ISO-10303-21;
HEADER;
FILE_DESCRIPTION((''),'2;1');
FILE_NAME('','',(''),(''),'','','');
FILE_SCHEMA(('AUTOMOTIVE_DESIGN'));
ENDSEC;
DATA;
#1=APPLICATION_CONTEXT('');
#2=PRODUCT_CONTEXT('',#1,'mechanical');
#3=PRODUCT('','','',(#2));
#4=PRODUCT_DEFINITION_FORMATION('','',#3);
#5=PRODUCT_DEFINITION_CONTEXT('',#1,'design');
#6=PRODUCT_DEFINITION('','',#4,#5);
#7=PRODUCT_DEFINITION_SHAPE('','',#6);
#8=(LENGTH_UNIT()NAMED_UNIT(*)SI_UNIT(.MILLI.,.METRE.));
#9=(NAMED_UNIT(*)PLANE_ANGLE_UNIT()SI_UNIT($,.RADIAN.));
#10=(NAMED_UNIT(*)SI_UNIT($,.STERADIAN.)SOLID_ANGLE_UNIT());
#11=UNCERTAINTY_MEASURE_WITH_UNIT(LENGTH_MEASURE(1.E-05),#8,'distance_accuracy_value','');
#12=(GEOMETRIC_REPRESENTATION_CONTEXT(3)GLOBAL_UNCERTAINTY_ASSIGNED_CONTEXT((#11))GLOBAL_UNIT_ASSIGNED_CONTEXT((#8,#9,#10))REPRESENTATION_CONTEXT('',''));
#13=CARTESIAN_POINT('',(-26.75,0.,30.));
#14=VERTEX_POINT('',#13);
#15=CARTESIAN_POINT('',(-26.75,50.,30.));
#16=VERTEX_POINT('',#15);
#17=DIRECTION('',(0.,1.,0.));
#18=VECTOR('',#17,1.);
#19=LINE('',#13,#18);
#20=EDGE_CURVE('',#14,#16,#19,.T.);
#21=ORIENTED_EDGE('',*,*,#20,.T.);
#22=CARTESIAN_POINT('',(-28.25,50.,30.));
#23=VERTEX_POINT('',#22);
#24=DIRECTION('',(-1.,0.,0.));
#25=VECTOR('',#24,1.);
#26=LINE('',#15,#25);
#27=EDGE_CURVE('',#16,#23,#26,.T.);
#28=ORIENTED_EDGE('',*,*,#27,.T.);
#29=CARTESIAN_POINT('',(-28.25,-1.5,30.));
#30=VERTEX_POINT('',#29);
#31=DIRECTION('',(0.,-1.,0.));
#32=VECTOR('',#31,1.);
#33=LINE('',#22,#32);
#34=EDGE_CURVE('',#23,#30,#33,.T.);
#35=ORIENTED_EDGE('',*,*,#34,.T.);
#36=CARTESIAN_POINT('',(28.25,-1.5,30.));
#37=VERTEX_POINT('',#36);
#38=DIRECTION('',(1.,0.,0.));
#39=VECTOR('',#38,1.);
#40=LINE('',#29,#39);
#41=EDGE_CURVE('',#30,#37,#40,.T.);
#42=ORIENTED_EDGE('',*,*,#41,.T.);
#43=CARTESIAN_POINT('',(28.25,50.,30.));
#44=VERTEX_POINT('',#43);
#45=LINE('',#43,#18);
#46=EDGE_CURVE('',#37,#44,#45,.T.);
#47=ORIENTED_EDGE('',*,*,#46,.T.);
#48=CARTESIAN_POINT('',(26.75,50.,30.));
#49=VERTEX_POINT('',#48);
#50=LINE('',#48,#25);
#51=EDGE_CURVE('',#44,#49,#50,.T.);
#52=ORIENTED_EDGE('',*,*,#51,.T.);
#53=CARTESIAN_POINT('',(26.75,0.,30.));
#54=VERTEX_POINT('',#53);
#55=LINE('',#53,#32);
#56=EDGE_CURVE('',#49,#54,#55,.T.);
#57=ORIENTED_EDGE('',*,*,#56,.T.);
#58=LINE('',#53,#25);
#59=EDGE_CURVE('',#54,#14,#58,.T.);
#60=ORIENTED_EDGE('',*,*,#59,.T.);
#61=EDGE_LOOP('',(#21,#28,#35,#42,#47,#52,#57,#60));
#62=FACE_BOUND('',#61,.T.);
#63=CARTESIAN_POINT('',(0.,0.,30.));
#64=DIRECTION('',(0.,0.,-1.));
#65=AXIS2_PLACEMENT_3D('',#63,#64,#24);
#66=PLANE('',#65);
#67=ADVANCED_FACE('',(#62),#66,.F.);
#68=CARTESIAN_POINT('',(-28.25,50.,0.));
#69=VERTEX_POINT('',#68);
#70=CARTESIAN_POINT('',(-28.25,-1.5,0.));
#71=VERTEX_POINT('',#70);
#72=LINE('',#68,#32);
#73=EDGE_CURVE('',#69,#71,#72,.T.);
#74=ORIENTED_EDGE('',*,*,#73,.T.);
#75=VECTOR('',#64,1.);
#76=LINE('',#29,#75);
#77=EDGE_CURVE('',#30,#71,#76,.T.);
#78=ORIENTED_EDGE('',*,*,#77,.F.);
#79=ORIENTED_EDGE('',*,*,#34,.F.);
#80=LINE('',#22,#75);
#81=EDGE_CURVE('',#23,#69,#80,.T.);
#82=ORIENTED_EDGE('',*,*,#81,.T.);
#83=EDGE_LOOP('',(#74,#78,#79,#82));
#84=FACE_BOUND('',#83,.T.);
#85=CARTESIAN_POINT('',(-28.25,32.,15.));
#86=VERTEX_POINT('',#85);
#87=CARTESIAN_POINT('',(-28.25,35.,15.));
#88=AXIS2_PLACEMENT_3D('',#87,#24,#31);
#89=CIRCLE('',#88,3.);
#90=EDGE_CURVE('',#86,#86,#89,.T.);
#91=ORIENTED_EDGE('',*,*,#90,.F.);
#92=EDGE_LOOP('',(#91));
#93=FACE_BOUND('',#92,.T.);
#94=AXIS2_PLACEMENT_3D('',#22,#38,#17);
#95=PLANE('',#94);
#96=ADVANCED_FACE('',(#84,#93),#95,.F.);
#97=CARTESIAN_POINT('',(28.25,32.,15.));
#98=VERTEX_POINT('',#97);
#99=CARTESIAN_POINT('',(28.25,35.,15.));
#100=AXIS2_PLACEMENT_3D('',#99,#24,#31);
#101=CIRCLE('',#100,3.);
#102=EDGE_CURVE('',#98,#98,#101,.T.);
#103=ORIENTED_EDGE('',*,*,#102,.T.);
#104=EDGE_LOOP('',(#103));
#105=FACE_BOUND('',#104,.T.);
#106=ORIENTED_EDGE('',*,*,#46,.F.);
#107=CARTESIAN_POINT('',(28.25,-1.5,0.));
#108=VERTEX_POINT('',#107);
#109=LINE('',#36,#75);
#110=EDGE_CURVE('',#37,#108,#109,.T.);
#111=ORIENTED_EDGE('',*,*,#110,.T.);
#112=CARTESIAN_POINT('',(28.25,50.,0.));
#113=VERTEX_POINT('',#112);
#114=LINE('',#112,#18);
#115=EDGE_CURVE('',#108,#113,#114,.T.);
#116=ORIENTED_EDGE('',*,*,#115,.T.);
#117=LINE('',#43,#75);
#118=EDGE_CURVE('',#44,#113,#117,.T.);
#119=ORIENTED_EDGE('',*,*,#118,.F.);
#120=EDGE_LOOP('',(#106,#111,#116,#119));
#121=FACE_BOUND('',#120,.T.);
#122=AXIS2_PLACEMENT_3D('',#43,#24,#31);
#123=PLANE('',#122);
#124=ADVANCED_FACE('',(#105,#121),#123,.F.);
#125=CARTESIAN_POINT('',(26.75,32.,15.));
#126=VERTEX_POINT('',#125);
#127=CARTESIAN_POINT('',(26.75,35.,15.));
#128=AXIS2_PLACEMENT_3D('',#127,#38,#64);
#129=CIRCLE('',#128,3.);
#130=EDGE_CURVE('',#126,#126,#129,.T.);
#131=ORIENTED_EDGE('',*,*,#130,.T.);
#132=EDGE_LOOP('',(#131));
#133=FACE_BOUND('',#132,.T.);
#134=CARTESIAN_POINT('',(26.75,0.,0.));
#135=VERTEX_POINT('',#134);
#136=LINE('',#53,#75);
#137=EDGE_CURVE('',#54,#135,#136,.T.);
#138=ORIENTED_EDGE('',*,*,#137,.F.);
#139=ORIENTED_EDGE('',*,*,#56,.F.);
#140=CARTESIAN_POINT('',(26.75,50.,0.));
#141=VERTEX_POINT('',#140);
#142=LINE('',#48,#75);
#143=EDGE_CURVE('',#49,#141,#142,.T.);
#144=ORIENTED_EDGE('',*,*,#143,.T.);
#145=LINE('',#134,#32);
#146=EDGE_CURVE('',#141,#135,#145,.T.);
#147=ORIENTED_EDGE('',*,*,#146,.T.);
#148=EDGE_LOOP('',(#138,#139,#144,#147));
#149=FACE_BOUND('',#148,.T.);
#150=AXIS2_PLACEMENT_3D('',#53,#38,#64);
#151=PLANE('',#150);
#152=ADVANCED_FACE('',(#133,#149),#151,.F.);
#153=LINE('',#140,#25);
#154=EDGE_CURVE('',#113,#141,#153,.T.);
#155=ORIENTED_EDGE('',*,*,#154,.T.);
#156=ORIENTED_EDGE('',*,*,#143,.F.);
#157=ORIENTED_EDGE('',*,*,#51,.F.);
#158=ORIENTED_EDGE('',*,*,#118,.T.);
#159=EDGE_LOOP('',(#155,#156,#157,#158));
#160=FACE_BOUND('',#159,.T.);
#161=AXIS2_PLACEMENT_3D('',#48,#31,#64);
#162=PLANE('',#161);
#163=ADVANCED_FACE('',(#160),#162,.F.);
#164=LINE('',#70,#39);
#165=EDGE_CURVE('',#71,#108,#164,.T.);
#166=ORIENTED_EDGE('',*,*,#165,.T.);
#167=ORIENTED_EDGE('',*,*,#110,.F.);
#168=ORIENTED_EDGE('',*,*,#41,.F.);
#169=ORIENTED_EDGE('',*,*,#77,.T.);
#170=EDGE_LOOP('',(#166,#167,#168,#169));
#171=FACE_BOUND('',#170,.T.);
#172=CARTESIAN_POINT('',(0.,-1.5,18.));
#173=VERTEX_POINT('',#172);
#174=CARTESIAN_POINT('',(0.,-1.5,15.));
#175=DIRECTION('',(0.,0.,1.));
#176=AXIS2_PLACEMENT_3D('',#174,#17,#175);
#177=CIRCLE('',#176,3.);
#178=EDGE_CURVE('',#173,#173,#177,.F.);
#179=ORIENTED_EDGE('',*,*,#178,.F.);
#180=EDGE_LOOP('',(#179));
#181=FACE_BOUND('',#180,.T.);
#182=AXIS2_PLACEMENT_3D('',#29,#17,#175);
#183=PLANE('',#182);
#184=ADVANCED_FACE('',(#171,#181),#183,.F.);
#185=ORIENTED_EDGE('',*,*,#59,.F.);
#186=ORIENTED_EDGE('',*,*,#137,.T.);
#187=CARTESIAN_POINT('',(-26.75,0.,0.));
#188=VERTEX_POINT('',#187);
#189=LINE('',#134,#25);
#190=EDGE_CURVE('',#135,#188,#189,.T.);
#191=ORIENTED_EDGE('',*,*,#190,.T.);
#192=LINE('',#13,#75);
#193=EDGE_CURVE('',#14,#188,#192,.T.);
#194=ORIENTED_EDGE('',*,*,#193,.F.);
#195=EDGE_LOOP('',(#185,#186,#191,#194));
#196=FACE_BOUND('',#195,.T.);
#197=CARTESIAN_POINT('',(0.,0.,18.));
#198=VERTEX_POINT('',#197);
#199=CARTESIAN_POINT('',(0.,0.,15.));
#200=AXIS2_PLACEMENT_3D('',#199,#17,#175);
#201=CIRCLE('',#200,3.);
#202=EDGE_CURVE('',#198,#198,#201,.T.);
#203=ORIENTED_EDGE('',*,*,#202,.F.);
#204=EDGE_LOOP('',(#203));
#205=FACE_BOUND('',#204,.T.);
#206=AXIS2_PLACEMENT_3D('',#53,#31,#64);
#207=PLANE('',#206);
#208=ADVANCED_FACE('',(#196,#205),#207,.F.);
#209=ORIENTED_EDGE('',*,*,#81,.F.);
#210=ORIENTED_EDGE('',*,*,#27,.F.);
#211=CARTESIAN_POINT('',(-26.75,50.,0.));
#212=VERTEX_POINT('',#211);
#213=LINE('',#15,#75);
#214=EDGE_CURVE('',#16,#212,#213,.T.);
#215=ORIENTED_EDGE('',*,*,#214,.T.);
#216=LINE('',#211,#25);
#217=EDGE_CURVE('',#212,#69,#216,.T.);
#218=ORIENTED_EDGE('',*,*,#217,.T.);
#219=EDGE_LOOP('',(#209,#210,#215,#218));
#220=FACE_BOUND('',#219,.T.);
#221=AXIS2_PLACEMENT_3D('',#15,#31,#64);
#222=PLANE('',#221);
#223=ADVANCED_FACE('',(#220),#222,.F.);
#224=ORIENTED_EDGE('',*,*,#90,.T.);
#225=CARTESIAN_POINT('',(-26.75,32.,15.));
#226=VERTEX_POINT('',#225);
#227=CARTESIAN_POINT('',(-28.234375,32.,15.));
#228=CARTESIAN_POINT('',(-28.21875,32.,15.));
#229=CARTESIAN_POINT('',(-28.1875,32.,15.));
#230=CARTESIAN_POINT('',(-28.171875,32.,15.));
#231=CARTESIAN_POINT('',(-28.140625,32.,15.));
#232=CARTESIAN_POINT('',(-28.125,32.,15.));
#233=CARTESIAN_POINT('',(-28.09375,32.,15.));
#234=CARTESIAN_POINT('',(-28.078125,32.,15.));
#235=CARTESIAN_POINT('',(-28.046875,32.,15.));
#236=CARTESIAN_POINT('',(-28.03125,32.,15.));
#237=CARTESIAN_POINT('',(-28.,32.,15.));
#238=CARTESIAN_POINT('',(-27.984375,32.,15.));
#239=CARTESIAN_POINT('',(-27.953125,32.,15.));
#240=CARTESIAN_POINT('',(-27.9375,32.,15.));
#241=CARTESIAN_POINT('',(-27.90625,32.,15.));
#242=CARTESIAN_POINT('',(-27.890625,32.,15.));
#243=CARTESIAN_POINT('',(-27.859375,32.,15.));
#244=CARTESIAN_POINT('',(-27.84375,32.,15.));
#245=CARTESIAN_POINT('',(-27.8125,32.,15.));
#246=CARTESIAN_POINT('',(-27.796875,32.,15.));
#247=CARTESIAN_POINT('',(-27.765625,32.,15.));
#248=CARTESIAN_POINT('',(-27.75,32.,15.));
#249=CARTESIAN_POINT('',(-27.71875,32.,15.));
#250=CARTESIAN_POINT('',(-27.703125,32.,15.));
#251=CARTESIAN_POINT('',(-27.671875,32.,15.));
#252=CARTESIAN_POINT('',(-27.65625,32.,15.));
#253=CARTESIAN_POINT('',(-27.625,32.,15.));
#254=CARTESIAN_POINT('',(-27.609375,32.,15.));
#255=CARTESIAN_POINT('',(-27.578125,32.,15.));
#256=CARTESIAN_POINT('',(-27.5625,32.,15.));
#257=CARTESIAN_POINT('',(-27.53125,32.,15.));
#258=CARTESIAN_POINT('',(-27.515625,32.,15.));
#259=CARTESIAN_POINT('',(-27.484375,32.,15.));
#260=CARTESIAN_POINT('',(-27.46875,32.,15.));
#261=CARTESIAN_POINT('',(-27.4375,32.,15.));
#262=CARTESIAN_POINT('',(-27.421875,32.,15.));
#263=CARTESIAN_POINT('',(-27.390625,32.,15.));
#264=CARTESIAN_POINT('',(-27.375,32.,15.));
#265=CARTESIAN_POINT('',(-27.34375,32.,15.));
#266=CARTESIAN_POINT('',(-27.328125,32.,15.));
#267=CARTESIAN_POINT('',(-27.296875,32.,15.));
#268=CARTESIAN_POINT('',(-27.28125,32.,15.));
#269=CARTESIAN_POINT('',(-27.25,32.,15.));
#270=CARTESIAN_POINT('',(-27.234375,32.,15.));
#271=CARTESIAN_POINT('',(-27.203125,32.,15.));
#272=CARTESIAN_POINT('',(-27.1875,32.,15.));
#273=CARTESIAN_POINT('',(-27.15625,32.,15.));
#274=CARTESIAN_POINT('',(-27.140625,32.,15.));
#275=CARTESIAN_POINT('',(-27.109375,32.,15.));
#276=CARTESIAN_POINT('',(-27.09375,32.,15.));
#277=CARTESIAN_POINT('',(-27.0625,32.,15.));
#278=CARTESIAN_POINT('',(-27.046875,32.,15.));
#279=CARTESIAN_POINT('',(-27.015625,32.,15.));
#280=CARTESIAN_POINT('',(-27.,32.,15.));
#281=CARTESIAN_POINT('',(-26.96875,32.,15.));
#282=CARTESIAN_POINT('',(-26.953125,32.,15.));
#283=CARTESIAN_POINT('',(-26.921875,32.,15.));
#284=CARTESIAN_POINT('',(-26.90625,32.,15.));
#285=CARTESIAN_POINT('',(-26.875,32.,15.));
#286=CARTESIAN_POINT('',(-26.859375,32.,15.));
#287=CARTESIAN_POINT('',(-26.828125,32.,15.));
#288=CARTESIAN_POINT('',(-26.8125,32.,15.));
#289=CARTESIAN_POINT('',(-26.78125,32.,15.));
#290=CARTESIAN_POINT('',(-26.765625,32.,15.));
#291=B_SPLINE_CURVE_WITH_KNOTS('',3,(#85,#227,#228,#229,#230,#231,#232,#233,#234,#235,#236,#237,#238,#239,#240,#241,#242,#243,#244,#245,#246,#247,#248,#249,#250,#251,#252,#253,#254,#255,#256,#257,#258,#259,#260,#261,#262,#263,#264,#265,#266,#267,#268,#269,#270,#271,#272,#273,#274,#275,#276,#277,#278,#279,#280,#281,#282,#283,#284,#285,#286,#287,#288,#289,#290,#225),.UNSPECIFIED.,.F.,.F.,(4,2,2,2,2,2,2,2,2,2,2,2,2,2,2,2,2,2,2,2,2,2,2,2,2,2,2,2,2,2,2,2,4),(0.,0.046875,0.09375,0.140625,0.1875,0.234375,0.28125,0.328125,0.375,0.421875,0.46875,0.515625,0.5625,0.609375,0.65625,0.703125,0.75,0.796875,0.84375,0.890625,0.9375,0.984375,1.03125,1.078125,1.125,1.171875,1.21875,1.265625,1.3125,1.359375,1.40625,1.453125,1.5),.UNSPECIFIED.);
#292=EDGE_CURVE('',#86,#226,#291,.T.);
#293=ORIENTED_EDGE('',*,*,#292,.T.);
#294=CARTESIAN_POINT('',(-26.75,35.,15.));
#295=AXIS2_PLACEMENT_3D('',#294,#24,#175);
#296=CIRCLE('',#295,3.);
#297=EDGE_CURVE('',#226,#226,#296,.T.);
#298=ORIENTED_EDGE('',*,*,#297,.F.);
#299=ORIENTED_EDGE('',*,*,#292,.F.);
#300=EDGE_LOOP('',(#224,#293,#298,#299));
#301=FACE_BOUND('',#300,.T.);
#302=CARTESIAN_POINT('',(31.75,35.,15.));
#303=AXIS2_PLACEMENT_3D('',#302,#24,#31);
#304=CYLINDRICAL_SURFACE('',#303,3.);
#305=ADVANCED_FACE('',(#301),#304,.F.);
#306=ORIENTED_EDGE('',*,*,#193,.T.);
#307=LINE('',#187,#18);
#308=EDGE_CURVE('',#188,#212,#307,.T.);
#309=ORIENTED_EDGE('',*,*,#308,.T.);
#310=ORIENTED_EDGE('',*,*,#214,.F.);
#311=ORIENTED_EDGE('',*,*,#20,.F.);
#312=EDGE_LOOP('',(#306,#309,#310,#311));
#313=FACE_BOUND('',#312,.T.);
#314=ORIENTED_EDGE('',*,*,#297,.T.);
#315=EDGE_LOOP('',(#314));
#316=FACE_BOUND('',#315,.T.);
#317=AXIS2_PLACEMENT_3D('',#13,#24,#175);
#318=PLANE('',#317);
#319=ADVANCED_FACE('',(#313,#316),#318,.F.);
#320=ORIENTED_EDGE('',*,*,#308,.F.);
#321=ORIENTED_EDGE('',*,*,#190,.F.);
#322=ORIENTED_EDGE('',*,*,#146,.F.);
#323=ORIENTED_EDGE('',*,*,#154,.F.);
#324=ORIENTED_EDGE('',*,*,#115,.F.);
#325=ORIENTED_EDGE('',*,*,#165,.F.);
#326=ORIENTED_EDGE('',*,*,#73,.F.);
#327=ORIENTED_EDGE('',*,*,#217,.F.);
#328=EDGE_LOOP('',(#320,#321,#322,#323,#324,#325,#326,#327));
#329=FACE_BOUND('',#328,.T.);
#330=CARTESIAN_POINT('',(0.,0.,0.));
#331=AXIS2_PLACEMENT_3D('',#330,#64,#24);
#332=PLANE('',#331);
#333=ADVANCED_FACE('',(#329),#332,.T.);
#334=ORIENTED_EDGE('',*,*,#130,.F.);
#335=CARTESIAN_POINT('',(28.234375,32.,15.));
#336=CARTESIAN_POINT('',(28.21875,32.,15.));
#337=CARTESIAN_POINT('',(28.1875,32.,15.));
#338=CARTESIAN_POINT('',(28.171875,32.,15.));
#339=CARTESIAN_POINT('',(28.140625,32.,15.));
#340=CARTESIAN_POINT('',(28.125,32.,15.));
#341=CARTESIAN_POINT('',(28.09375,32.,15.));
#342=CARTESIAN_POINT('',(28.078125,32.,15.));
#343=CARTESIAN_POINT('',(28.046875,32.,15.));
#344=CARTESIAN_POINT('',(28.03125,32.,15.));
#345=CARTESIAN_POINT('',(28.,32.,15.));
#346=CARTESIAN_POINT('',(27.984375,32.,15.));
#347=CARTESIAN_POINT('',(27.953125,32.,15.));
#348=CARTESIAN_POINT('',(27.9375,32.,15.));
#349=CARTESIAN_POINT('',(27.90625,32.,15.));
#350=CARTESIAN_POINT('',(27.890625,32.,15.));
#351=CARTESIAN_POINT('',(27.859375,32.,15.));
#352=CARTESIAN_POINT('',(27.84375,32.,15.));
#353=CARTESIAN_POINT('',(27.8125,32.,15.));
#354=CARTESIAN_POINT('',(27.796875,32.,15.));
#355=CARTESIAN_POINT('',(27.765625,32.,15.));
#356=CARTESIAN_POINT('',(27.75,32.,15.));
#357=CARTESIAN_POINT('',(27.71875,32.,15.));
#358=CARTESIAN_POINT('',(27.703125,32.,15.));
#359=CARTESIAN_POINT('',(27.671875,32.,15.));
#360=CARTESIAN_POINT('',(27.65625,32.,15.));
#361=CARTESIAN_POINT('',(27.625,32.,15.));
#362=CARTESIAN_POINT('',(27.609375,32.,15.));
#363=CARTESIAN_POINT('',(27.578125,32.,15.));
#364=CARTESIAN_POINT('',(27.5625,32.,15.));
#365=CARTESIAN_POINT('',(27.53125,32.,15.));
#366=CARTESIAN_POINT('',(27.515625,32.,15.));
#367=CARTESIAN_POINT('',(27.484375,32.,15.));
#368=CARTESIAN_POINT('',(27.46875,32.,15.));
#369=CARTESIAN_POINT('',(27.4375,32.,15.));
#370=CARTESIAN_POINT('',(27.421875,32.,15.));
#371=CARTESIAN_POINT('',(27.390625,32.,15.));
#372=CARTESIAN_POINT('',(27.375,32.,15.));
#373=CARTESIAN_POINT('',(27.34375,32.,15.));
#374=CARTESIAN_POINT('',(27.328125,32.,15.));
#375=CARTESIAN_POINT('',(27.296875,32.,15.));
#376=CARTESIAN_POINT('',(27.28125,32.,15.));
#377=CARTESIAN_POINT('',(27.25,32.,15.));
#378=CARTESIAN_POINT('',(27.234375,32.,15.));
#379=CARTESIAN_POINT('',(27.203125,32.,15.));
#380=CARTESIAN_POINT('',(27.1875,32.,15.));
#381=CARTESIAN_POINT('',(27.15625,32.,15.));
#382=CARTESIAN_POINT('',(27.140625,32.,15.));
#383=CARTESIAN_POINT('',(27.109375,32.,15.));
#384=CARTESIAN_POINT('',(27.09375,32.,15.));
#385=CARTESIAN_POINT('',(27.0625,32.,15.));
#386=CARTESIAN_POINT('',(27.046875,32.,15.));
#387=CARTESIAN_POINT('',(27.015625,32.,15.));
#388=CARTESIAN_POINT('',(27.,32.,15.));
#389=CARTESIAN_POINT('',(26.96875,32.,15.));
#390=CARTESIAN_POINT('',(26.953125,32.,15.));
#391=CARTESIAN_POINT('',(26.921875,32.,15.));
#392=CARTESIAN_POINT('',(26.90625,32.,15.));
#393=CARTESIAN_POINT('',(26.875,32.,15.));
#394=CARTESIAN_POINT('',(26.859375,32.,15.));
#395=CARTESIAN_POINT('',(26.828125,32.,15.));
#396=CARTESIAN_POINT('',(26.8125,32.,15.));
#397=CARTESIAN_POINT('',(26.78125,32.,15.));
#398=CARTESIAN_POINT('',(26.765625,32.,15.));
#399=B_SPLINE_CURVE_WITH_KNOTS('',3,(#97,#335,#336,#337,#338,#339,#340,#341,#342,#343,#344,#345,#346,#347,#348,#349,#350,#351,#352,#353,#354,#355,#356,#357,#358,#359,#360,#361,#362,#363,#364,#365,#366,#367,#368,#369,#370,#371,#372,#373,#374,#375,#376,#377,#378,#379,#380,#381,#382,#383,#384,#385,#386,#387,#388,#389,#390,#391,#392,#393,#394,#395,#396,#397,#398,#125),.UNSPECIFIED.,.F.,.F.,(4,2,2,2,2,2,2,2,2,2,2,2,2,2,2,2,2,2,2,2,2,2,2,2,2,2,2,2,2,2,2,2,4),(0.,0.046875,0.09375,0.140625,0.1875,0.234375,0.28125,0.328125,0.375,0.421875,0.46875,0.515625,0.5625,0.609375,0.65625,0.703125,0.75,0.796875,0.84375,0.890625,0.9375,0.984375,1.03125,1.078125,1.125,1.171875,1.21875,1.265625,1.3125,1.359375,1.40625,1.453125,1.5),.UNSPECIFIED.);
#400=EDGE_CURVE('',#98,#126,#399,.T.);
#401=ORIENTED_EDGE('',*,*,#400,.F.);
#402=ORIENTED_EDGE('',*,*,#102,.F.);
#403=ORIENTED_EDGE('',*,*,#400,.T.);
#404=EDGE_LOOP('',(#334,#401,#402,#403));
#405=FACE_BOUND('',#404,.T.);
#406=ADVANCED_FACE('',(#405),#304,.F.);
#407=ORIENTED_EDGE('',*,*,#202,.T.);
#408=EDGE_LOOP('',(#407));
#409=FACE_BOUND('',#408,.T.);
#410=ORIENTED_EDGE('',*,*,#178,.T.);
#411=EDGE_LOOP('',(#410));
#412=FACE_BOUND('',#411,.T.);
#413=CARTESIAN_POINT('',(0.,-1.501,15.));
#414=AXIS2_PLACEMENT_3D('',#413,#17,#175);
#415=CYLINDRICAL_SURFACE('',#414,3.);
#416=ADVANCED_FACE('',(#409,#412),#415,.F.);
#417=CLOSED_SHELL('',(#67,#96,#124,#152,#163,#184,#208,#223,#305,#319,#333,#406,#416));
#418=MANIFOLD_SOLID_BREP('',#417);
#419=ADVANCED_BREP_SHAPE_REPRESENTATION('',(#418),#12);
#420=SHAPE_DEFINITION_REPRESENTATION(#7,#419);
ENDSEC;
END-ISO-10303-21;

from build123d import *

# Parameters (mm, degrees)
BOSS_EXTRUDE1_DEPTH = 30
SKETCH3_R           = 3
CUT_EXTRUDE1_DEPTH  = 60
CUT_EXTRUDE2_REACH  = 66.792
SKETCH4_R           = 3


with BuildPart() as part:
    # Sketch2 → Boss-Extrude1 (new body)
    with BuildSketch(Plane.XY):
        Polygon((26.75, 0), (-26.75, 0), (-26.75, 50), (-28.25, 50), (-28.25, -1.5), (28.25, -1.5), (28.25, 50), (26.75, 50), align=None)
    extrude(amount=BOSS_EXTRUDE1_DEPTH)

    # Sketch3 → Cut-Extrude1 (cut)
    with BuildSketch(Plane.ZY.offset(28.25)):
        with Locations(Location((15, 35, 0), (0, 0, 270))):
            Circle(SKETCH3_R)
    extrude(amount=-CUT_EXTRUDE1_DEPTH, mode=Mode.SUBTRACT)

    # Sketch4 → Cut-Extrude2 (cut, up to next)
    with BuildSketch(Plane(origin=(0, 0, 0), x_dir=(1, 0, 0), z_dir=(0, 1, 0)), mode=Mode.PRIVATE) as cut_extrude2_sk1:
        with Locations(Location((0, -15, 0), (0, 0, 270))):
            Circle(SKETCH4_R)
    cut_extrude2_tool1 = extrude(cut_extrude2_sk1.sketch, amount=-CUT_EXTRUDE2_REACH, mode=Mode.PRIVATE) & part.part
    add(cut_extrude2_tool1.solids().sort_by_distance((0, 0, 15))[0], mode=Mode.SUBTRACT)


solid = part.part
